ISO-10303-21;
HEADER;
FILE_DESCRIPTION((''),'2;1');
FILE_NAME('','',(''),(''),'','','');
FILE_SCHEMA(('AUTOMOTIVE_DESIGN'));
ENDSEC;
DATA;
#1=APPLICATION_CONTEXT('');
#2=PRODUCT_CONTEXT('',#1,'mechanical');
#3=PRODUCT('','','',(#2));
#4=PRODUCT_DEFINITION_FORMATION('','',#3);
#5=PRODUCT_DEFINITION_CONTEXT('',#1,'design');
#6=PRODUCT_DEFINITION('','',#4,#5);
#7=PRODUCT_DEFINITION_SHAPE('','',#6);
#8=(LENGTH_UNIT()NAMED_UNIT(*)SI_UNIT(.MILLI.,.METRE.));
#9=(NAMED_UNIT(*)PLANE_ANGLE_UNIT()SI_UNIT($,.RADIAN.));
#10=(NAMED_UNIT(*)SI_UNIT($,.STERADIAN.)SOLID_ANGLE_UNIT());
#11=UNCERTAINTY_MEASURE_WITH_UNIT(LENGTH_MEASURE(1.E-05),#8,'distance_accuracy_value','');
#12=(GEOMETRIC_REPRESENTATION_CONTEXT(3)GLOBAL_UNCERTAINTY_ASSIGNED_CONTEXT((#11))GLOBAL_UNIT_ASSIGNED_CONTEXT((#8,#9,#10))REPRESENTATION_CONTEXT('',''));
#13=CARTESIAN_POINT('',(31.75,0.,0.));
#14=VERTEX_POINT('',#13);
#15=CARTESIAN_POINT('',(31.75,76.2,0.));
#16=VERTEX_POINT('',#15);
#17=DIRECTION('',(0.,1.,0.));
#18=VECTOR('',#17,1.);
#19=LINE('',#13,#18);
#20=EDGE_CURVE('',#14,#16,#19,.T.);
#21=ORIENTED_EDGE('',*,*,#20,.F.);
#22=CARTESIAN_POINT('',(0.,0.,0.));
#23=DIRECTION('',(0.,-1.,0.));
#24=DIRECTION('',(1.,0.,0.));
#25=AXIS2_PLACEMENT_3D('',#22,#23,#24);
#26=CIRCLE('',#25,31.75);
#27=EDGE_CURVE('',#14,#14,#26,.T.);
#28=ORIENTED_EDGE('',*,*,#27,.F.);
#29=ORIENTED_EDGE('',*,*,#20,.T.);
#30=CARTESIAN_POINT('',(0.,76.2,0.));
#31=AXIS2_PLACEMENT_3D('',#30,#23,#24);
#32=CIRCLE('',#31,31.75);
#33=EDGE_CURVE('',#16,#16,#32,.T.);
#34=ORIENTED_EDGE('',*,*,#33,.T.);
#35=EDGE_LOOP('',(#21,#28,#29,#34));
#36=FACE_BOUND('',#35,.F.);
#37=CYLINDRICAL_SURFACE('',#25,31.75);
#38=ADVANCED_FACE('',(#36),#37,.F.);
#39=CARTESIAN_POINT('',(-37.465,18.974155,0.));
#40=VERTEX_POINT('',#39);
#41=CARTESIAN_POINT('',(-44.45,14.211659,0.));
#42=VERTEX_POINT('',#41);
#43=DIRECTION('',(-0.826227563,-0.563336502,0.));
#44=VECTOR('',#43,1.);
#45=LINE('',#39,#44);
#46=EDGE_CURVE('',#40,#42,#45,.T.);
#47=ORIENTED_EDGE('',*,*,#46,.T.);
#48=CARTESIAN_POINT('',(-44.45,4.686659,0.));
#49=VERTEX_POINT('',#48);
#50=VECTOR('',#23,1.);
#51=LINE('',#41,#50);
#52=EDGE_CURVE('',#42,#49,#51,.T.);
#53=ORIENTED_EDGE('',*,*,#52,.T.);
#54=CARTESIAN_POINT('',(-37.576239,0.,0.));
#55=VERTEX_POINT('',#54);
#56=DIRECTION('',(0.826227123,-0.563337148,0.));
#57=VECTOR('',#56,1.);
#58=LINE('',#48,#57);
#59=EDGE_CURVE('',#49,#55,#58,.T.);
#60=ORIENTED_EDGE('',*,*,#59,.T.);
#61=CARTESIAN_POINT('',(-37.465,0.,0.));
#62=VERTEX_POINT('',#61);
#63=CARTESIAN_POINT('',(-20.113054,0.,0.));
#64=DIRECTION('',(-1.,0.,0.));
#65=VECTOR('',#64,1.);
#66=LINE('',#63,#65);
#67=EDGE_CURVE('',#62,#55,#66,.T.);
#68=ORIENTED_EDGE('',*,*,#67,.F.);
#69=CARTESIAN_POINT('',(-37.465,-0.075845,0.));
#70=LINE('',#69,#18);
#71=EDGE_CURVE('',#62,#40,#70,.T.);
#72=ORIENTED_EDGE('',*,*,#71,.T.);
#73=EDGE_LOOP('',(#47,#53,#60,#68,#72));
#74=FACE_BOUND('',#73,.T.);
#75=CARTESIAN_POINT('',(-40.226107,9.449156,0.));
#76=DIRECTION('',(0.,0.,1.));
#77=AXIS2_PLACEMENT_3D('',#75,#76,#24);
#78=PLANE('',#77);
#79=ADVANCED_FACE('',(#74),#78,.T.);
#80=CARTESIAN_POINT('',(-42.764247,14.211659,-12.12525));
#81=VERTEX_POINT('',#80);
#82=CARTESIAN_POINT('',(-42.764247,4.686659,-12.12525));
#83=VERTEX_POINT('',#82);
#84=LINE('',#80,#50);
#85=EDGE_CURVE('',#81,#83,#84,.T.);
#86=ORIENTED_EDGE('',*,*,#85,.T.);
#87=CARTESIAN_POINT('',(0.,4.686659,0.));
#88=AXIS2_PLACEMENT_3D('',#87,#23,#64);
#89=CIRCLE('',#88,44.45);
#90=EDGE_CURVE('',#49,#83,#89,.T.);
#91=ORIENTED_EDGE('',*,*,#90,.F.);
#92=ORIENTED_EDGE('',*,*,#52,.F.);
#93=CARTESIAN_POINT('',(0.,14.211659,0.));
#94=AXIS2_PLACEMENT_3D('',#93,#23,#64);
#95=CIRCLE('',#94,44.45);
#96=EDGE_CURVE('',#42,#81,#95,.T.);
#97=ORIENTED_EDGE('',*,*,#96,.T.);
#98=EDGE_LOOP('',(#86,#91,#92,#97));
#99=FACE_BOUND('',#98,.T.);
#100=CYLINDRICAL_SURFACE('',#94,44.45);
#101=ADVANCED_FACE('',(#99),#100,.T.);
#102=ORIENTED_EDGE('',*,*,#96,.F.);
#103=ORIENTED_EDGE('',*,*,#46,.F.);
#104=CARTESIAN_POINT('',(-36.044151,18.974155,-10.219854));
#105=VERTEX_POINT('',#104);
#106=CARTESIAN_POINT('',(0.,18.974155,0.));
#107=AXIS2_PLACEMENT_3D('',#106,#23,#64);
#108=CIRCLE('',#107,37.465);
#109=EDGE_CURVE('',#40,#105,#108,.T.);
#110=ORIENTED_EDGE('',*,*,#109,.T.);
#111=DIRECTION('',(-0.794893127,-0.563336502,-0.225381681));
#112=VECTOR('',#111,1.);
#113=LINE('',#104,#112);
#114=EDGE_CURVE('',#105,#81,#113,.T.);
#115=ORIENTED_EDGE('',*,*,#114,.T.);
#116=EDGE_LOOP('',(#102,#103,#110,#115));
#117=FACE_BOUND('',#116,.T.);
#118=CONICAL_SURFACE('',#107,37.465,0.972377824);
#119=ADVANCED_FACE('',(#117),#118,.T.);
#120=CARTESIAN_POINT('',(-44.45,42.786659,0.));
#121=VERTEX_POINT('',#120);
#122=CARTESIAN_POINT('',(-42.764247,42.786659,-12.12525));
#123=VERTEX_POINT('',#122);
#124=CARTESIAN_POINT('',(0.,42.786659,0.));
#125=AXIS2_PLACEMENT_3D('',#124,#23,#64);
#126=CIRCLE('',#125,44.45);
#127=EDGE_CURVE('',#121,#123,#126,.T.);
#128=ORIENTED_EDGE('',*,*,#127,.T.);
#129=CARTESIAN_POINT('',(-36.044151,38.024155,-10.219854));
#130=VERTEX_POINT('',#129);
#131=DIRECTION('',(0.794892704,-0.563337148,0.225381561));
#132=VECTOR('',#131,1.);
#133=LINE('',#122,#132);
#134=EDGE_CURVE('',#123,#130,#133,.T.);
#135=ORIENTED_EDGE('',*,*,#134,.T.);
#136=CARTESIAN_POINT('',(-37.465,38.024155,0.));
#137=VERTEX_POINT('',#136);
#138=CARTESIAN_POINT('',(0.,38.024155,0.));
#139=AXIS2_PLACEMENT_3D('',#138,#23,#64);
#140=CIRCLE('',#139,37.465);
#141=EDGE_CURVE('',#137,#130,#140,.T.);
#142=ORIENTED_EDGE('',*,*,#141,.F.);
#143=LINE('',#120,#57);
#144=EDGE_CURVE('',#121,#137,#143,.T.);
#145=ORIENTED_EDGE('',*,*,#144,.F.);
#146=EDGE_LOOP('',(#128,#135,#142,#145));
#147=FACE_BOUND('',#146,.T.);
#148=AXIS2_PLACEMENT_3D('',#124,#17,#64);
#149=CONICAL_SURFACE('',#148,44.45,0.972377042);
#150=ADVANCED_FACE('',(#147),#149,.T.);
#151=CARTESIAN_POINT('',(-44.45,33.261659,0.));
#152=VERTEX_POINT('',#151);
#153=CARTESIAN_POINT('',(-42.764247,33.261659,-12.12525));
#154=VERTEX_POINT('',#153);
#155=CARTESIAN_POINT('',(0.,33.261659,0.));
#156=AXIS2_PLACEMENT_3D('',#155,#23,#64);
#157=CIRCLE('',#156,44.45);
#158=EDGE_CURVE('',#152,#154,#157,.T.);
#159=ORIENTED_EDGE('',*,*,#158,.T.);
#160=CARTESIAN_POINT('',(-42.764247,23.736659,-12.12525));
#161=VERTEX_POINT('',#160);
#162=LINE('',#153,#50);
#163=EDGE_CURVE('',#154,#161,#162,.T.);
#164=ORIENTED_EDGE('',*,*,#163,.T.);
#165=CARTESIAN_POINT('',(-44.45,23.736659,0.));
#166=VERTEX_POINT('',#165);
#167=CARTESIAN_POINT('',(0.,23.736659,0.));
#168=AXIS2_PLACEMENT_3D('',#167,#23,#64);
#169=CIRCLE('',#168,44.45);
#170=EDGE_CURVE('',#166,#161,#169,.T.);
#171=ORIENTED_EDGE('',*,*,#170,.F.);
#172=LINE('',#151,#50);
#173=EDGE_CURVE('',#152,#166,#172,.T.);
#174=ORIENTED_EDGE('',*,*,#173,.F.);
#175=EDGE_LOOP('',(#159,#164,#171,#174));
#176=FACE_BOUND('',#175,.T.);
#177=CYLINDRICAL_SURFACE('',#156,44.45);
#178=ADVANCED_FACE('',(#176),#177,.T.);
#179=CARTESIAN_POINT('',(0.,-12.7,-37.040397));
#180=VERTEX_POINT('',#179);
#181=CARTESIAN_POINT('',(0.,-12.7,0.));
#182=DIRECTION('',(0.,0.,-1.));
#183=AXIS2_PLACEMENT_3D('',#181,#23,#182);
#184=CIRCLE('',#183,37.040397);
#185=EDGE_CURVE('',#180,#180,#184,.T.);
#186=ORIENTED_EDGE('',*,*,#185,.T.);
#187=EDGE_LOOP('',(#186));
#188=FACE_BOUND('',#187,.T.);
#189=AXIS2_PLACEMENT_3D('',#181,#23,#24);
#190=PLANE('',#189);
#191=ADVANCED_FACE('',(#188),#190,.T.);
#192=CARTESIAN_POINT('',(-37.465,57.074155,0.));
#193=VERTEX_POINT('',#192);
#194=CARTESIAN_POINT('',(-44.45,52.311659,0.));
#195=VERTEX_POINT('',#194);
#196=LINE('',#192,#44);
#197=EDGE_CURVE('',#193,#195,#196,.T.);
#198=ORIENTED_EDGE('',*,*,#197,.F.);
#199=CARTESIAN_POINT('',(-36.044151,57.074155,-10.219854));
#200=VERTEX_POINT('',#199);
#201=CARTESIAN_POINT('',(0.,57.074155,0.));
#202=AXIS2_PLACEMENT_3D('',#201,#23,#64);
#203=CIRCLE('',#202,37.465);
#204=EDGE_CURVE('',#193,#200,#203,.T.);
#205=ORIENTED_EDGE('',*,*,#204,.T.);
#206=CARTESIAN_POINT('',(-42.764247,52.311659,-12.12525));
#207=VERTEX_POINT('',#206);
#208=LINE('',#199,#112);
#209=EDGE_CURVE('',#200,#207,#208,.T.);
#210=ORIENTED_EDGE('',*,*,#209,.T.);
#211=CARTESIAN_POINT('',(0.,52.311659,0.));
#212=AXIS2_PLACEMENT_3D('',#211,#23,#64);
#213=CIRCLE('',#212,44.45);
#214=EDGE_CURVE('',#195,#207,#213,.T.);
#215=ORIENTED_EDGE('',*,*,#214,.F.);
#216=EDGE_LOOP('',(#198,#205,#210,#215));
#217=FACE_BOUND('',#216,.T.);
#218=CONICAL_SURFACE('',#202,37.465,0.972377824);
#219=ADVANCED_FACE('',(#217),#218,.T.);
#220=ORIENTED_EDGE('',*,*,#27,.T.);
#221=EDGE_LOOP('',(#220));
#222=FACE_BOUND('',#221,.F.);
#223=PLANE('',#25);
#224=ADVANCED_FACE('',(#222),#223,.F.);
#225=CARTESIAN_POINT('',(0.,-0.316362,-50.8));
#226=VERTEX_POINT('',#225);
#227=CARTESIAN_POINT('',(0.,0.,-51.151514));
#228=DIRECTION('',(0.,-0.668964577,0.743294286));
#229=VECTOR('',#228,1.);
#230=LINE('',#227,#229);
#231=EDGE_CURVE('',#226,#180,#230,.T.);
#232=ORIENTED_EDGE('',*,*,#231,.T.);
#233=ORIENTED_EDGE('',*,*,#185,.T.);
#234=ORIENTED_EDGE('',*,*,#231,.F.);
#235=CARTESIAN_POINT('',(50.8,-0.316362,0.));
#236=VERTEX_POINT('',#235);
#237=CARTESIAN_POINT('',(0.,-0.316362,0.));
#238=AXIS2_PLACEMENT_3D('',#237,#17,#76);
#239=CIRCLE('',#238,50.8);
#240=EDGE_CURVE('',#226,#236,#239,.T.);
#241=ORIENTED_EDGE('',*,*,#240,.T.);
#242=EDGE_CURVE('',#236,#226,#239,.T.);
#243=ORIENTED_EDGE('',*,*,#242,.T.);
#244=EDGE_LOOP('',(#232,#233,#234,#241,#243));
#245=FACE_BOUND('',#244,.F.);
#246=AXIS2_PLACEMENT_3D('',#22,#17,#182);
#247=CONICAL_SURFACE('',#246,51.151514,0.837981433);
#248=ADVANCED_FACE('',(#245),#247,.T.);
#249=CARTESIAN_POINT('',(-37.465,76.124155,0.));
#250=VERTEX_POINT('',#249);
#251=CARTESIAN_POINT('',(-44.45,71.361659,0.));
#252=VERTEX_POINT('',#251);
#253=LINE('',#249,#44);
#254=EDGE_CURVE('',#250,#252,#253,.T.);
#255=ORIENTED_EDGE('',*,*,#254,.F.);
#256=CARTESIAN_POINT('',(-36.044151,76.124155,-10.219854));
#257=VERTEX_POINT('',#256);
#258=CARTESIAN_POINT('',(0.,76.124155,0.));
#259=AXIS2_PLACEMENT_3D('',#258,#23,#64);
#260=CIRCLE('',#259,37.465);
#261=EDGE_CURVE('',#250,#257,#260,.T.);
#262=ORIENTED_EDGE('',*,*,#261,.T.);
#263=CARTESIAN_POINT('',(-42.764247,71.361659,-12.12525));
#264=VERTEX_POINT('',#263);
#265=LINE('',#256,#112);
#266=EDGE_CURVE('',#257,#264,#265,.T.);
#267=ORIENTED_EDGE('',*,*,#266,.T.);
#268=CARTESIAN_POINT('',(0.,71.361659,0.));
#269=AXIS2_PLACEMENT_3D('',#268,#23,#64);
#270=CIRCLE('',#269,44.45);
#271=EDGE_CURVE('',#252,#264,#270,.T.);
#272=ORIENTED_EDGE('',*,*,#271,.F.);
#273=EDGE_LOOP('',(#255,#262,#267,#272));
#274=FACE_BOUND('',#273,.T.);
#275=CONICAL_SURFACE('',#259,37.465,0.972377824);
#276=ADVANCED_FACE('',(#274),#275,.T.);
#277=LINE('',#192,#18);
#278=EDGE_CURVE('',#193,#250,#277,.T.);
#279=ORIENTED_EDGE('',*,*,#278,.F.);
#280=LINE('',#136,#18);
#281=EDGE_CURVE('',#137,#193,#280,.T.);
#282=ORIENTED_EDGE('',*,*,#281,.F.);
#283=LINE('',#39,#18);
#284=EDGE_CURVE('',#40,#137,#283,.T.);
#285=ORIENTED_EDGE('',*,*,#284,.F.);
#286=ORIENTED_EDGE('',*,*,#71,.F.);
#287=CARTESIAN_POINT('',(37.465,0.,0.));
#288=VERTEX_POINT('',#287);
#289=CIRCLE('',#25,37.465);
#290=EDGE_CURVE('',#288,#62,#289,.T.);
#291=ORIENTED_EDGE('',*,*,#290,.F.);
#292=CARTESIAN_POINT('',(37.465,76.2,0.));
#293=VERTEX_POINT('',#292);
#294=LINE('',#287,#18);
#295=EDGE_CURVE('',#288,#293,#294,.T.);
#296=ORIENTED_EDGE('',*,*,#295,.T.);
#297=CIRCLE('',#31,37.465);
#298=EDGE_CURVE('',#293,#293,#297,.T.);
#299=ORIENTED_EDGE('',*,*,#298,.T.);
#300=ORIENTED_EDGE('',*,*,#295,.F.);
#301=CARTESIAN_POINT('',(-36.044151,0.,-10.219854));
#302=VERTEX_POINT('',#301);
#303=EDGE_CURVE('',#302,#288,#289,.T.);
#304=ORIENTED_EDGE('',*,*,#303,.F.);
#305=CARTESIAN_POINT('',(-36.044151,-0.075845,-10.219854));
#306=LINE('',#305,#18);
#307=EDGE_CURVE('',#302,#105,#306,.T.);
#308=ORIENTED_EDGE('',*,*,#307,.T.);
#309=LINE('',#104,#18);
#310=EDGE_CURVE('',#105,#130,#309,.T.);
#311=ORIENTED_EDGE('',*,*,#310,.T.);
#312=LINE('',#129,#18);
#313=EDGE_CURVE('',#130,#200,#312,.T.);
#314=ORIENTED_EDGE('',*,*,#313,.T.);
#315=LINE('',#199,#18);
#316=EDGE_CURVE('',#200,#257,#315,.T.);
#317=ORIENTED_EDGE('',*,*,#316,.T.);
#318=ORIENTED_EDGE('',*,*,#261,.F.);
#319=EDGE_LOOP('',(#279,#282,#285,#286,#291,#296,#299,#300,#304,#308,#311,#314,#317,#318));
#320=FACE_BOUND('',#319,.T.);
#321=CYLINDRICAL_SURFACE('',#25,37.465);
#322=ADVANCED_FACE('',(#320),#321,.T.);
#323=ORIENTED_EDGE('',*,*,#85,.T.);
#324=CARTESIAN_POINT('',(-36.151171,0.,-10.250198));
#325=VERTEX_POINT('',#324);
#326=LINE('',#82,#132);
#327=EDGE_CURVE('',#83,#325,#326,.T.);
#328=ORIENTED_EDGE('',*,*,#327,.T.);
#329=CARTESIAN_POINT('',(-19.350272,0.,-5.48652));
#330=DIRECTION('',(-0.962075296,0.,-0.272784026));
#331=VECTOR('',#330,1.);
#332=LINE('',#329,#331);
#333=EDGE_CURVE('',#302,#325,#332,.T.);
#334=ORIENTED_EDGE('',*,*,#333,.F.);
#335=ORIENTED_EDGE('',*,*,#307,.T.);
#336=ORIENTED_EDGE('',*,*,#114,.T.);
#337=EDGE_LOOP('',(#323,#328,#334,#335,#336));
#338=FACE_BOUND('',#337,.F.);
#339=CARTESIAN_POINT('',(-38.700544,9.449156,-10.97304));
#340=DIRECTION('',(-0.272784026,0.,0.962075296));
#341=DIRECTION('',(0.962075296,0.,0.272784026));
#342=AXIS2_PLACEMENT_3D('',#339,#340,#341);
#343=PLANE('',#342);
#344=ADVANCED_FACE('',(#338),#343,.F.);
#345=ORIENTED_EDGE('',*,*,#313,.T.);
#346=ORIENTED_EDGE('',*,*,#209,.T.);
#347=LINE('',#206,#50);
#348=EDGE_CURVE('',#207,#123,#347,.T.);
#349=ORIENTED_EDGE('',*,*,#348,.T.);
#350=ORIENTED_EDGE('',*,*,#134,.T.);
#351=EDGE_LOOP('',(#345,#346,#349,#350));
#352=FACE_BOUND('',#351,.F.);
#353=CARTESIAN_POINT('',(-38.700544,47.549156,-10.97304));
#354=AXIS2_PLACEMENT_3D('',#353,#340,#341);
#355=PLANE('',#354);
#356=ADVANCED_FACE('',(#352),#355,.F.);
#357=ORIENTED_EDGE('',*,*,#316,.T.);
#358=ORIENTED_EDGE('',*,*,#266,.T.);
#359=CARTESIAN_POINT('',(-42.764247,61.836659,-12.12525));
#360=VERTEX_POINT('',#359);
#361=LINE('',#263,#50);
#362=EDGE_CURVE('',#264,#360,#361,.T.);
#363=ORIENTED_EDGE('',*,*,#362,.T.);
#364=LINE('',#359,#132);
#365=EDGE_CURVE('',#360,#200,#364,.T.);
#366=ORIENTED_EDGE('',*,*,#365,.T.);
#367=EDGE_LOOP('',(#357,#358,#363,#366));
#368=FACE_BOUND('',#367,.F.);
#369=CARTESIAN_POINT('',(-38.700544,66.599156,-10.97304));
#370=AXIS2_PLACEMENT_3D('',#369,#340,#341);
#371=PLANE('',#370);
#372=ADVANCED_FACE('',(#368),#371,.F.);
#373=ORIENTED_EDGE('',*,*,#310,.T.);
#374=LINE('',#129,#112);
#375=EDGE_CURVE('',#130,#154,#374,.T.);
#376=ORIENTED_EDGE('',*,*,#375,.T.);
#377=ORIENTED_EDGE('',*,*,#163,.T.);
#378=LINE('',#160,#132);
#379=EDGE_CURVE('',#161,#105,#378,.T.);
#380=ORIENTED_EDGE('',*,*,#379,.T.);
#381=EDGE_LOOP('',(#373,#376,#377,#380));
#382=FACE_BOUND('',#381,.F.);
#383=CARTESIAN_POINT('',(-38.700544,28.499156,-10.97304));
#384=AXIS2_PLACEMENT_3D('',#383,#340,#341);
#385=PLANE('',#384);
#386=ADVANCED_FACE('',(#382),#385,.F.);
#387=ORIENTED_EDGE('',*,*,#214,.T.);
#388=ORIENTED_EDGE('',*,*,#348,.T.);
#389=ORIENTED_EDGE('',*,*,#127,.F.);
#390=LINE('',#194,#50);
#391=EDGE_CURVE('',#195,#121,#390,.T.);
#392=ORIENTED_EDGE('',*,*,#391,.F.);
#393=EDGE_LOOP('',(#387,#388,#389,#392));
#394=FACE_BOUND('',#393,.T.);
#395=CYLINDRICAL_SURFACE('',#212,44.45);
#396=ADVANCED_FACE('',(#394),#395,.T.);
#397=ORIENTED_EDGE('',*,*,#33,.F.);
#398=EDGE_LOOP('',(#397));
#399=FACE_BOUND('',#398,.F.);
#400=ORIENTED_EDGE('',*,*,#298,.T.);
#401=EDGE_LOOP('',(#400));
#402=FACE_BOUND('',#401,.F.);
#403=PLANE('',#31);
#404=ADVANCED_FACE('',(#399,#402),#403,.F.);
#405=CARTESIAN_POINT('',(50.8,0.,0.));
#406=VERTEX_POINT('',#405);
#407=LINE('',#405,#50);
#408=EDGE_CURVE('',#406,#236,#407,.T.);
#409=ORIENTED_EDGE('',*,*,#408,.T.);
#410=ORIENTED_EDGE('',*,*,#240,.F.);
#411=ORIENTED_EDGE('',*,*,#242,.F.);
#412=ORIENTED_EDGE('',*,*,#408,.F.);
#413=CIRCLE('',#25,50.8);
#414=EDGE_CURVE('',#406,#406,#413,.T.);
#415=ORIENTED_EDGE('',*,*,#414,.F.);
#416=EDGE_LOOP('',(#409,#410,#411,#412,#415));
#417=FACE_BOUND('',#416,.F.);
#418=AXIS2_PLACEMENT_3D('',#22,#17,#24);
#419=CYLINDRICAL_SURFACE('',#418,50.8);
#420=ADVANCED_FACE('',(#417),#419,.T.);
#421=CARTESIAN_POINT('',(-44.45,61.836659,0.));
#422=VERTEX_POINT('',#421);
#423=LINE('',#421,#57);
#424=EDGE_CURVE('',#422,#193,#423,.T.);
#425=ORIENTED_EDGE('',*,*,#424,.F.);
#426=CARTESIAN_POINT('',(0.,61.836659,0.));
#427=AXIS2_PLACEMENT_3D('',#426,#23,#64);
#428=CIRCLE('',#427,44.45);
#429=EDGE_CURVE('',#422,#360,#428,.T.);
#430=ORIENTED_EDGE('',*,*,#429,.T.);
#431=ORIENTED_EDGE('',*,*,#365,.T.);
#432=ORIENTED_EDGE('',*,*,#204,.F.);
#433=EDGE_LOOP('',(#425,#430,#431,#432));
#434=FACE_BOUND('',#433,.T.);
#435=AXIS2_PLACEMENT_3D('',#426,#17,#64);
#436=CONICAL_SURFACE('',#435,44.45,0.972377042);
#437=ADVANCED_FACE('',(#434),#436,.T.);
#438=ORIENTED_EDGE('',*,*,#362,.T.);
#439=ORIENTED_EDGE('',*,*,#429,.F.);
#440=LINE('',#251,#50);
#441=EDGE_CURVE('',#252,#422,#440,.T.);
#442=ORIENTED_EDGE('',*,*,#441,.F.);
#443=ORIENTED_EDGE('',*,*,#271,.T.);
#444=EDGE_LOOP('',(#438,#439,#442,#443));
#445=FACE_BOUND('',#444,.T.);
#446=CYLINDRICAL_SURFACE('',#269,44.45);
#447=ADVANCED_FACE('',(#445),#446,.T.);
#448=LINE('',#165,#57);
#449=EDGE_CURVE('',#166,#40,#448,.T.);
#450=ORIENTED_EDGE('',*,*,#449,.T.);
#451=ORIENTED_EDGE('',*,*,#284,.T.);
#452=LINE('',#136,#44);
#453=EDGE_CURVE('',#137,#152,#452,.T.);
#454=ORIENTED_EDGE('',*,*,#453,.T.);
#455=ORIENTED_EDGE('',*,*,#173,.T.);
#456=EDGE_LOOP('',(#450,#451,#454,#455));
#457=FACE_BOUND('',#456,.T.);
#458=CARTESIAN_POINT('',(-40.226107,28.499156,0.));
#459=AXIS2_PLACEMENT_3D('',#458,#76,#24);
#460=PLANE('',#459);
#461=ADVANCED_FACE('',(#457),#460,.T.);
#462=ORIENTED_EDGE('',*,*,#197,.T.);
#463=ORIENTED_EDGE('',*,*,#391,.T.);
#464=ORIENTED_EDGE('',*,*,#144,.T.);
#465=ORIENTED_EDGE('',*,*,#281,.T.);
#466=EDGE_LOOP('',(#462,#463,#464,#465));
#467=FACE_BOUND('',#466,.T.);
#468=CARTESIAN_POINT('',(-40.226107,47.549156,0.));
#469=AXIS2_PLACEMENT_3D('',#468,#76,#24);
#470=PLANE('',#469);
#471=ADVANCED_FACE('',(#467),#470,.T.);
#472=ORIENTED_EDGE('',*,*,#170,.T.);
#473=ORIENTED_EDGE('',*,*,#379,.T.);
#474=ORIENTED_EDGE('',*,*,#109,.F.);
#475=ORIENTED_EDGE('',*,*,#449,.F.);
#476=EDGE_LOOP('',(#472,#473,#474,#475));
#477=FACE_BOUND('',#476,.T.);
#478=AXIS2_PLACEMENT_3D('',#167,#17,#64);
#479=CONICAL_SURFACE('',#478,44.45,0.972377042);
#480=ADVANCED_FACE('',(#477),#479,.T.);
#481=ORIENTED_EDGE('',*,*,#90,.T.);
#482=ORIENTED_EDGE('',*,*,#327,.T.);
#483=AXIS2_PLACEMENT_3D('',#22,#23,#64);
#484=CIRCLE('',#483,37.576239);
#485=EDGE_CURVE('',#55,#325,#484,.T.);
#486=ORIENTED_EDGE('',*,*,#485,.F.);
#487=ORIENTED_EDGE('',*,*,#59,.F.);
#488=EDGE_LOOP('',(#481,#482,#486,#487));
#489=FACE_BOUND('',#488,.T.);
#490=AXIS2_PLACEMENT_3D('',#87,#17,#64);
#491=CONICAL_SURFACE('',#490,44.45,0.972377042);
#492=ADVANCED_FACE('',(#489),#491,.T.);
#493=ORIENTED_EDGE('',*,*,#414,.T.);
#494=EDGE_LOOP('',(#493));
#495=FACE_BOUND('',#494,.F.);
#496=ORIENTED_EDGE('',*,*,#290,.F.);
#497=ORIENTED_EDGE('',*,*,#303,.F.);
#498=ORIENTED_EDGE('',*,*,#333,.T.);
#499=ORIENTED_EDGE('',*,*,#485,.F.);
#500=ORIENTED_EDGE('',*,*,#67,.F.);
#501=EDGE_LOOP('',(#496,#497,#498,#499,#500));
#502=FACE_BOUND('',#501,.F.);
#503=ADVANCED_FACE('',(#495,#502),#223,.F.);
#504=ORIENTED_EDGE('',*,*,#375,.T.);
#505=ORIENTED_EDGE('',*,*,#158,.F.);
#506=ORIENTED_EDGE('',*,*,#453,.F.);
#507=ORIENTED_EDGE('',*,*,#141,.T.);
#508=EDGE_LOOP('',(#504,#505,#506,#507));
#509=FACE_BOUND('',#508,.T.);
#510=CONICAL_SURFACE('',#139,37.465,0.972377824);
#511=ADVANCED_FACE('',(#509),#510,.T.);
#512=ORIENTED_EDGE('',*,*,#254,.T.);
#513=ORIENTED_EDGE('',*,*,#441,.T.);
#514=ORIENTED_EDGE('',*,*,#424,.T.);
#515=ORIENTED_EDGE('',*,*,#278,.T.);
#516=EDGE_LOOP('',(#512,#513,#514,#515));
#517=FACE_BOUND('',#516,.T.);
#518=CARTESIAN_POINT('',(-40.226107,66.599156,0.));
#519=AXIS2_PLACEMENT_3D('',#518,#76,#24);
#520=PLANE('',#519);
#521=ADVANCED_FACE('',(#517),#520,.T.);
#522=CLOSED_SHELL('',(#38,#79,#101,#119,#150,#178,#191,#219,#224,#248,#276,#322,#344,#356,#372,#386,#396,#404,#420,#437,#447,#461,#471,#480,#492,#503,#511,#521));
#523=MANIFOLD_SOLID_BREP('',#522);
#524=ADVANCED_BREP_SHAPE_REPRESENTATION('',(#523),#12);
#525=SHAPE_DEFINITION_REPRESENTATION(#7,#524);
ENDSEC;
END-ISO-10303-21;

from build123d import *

# Parameters (mm, degrees)
F0_R     = 50.8
F1_DEPTH = 12.7
F4_DEPTH = 25.4
F5_R     = 37.465
F5_R_2   = 31.75
F6_DEPTH = 76.2
F8_ANGLE = 15.83


with BuildPart() as f1:
    # F0 (on Front) → F1 (new body)
    with BuildSketch(Plane.XZ):
        Circle(F0_R)
    extrude(amount=F1_DEPTH)

    # F2 (on Right) → F3 (revolve, cut)
    with BuildSketch(Plane.YZ):
        Polygon((-12.895335, -50.86495), (0, -51.151514), (-12.895335, -36.823358), align=None)
    revolve(axis=Axis((0, 0, 0), (0, 1, 0)), mode=Mode.SUBTRACT)

    # F2 (on Right) → F4 (cut)
    with BuildSketch(Plane.YZ):
        Polygon((-12.895335, -50.86495), (0, -51.151514), (-12.895335, -36.823358), align=None)
    extrude(amount=-F4_DEPTH, mode=Mode.SUBTRACT)

    # F5 (on Front) → F6 (join)
    with BuildSketch(Plane.XZ):
        Circle(F5_R)
        Circle(F5_R_2, mode=Mode.SUBTRACT)
    extrude(amount=-F6_DEPTH)

    # F7 (on Top) → F8 (revolve)
    with BuildSketch(Plane.XY):
        Polygon((-37.465, -0.075845), (-37.465, 18.974155), (-44.45, 14.211659), (-44.45, 4.686659), align=None)
        Polygon((-37.465, 18.974155), (-37.465, 38.024155), (-44.45, 33.261659), (-44.45, 23.736659), align=None)
        Polygon((-37.465, 38.024155), (-37.465, 57.074155), (-44.45, 52.311659), (-44.45, 42.786659), align=None)
        Polygon((-37.465, 57.074155), (-37.465, 76.124155), (-44.45, 71.361659), (-44.45, 61.836659), align=None)
    revolve(axis=Axis((0, 76.2, 0), (0, -1, 0)), revolution_arc=F8_ANGLE)


solid = f1.part
